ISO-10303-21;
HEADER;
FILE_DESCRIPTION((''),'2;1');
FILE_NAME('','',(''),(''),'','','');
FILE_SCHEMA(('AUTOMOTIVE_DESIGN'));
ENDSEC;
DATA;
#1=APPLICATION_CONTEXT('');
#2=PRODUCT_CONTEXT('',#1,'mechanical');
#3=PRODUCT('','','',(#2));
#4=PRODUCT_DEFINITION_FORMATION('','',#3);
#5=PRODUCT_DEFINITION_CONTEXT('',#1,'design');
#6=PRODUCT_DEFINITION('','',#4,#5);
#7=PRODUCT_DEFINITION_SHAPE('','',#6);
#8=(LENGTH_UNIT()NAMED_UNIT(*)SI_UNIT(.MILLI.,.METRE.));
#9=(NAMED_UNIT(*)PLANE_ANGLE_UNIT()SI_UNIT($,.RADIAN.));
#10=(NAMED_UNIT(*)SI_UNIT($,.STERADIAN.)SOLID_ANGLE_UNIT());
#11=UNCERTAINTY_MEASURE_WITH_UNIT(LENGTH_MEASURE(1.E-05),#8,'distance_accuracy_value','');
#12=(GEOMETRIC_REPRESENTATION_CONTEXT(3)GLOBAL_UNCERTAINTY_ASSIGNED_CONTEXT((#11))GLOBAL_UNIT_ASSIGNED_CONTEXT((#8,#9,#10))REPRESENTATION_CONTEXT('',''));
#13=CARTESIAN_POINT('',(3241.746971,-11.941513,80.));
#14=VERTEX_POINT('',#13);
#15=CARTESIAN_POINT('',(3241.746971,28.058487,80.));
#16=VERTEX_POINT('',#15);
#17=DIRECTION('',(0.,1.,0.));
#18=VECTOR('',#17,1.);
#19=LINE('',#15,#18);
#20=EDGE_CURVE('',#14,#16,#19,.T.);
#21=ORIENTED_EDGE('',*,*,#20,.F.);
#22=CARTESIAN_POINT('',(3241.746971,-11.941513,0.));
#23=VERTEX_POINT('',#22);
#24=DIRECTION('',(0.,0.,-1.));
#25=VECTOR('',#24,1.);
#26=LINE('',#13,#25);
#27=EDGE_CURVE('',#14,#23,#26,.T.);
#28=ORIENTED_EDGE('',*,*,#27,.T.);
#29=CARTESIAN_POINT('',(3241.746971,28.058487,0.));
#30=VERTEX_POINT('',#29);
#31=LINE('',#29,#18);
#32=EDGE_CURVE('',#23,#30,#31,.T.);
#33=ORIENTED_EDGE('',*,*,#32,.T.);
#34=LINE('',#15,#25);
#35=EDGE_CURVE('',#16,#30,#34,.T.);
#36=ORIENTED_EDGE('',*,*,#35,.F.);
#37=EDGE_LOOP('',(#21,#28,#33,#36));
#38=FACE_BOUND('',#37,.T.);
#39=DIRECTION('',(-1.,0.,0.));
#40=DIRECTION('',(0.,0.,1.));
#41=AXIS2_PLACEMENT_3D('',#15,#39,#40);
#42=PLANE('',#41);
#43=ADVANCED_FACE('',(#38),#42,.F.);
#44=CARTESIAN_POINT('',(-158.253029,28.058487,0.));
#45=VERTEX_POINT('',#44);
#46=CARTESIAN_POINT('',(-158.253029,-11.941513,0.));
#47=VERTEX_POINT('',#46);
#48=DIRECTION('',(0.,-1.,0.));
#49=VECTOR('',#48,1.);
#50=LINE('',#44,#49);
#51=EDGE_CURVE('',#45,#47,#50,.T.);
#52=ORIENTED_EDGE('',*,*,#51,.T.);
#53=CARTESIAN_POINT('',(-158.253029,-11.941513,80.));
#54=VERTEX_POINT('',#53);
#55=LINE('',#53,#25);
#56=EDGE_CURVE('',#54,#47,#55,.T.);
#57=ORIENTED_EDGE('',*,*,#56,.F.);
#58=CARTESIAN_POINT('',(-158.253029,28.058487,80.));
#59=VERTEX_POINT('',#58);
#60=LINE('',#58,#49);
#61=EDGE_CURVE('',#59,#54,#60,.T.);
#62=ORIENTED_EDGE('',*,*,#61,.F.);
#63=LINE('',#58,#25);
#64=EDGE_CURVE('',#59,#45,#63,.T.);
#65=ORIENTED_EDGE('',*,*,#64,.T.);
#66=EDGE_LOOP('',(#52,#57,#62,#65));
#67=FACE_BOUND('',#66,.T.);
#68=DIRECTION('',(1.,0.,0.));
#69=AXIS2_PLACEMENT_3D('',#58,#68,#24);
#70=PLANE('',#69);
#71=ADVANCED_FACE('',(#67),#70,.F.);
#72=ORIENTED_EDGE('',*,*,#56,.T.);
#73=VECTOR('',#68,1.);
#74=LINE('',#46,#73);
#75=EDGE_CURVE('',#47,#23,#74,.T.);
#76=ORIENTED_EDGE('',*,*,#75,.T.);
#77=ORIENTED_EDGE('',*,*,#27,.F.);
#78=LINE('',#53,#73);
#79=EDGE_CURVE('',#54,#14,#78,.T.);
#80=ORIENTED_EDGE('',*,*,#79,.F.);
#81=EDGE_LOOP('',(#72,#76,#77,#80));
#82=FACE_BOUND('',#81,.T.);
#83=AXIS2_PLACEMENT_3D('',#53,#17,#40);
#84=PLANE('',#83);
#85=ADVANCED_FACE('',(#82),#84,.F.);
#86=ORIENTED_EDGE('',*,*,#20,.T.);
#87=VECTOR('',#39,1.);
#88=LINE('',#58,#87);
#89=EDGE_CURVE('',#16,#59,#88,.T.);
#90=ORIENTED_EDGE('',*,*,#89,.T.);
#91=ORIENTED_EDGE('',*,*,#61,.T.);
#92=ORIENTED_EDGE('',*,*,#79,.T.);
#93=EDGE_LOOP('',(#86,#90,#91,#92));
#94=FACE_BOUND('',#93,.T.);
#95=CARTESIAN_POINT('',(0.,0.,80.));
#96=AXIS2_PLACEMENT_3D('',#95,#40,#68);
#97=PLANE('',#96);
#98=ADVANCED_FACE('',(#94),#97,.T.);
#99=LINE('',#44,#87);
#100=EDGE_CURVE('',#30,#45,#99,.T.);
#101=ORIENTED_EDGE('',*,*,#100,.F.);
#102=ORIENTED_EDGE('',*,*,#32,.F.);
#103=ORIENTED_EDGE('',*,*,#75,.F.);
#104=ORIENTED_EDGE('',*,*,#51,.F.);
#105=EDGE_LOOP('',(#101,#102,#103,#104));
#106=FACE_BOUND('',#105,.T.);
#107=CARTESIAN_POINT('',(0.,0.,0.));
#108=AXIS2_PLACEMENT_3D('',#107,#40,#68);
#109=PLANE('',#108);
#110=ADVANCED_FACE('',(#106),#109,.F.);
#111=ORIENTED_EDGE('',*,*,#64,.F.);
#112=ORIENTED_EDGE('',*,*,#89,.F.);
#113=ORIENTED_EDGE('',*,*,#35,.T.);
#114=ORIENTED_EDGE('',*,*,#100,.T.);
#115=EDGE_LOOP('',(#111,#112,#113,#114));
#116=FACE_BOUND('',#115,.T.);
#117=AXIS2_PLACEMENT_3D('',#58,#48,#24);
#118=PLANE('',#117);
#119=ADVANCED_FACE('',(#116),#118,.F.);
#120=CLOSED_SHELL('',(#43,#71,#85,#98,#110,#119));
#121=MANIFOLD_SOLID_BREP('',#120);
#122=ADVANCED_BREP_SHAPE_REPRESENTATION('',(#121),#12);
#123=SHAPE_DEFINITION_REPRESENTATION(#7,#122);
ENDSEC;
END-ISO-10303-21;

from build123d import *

# Parameters (mm, degrees)
CROQUIS1_W              = 3400
CROQUIS1_H              = 40
SALIENTE_EXTRUIR1_DEPTH = 80
CROQUIS2_W              = 70.726899914
CROQUIS2_H              = 30.836055435
SALIENTE_EXTRUIR2_DEPTH = 3400
CROQUIS3_W              = 62.144796725
CROQUIS3_H              = 26.738647853
SALIENTE_EXTRUIR4_DEPTH = 3400


with BuildPart() as part:
    # Croquis1 → Saliente-Extruir1 (new body)
    with BuildSketch(Plane.XY):
        with Locations((1541.746970888, 8.058487021)):
            Rectangle(CROQUIS1_W, CROQUIS1_H)
    extrude(amount=SALIENTE_EXTRUIR1_DEPTH)

    # Croquis2 → Saliente-Extruir2 (add)
    with BuildSketch(Plane.ZY.offset(158.253029112)):
        with Locations((41.19205332, 7.663036553)):
            Rectangle(CROQUIS2_W, CROQUIS2_H)
    extrude(amount=-SALIENTE_EXTRUIR2_DEPTH)

    # Croquis3 → Saliente-Extruir4 (add)
    with BuildSketch(Plane(origin=(3241.746970888, 0, 0), x_dir=(0, 0, -1), z_dir=(1, 0, 0))):
        with Locations((-38.975461985, 6.544049844)):
            Rectangle(CROQUIS3_W, CROQUIS3_H)
    extrude(amount=-SALIENTE_EXTRUIR4_DEPTH)


solid = part.part
